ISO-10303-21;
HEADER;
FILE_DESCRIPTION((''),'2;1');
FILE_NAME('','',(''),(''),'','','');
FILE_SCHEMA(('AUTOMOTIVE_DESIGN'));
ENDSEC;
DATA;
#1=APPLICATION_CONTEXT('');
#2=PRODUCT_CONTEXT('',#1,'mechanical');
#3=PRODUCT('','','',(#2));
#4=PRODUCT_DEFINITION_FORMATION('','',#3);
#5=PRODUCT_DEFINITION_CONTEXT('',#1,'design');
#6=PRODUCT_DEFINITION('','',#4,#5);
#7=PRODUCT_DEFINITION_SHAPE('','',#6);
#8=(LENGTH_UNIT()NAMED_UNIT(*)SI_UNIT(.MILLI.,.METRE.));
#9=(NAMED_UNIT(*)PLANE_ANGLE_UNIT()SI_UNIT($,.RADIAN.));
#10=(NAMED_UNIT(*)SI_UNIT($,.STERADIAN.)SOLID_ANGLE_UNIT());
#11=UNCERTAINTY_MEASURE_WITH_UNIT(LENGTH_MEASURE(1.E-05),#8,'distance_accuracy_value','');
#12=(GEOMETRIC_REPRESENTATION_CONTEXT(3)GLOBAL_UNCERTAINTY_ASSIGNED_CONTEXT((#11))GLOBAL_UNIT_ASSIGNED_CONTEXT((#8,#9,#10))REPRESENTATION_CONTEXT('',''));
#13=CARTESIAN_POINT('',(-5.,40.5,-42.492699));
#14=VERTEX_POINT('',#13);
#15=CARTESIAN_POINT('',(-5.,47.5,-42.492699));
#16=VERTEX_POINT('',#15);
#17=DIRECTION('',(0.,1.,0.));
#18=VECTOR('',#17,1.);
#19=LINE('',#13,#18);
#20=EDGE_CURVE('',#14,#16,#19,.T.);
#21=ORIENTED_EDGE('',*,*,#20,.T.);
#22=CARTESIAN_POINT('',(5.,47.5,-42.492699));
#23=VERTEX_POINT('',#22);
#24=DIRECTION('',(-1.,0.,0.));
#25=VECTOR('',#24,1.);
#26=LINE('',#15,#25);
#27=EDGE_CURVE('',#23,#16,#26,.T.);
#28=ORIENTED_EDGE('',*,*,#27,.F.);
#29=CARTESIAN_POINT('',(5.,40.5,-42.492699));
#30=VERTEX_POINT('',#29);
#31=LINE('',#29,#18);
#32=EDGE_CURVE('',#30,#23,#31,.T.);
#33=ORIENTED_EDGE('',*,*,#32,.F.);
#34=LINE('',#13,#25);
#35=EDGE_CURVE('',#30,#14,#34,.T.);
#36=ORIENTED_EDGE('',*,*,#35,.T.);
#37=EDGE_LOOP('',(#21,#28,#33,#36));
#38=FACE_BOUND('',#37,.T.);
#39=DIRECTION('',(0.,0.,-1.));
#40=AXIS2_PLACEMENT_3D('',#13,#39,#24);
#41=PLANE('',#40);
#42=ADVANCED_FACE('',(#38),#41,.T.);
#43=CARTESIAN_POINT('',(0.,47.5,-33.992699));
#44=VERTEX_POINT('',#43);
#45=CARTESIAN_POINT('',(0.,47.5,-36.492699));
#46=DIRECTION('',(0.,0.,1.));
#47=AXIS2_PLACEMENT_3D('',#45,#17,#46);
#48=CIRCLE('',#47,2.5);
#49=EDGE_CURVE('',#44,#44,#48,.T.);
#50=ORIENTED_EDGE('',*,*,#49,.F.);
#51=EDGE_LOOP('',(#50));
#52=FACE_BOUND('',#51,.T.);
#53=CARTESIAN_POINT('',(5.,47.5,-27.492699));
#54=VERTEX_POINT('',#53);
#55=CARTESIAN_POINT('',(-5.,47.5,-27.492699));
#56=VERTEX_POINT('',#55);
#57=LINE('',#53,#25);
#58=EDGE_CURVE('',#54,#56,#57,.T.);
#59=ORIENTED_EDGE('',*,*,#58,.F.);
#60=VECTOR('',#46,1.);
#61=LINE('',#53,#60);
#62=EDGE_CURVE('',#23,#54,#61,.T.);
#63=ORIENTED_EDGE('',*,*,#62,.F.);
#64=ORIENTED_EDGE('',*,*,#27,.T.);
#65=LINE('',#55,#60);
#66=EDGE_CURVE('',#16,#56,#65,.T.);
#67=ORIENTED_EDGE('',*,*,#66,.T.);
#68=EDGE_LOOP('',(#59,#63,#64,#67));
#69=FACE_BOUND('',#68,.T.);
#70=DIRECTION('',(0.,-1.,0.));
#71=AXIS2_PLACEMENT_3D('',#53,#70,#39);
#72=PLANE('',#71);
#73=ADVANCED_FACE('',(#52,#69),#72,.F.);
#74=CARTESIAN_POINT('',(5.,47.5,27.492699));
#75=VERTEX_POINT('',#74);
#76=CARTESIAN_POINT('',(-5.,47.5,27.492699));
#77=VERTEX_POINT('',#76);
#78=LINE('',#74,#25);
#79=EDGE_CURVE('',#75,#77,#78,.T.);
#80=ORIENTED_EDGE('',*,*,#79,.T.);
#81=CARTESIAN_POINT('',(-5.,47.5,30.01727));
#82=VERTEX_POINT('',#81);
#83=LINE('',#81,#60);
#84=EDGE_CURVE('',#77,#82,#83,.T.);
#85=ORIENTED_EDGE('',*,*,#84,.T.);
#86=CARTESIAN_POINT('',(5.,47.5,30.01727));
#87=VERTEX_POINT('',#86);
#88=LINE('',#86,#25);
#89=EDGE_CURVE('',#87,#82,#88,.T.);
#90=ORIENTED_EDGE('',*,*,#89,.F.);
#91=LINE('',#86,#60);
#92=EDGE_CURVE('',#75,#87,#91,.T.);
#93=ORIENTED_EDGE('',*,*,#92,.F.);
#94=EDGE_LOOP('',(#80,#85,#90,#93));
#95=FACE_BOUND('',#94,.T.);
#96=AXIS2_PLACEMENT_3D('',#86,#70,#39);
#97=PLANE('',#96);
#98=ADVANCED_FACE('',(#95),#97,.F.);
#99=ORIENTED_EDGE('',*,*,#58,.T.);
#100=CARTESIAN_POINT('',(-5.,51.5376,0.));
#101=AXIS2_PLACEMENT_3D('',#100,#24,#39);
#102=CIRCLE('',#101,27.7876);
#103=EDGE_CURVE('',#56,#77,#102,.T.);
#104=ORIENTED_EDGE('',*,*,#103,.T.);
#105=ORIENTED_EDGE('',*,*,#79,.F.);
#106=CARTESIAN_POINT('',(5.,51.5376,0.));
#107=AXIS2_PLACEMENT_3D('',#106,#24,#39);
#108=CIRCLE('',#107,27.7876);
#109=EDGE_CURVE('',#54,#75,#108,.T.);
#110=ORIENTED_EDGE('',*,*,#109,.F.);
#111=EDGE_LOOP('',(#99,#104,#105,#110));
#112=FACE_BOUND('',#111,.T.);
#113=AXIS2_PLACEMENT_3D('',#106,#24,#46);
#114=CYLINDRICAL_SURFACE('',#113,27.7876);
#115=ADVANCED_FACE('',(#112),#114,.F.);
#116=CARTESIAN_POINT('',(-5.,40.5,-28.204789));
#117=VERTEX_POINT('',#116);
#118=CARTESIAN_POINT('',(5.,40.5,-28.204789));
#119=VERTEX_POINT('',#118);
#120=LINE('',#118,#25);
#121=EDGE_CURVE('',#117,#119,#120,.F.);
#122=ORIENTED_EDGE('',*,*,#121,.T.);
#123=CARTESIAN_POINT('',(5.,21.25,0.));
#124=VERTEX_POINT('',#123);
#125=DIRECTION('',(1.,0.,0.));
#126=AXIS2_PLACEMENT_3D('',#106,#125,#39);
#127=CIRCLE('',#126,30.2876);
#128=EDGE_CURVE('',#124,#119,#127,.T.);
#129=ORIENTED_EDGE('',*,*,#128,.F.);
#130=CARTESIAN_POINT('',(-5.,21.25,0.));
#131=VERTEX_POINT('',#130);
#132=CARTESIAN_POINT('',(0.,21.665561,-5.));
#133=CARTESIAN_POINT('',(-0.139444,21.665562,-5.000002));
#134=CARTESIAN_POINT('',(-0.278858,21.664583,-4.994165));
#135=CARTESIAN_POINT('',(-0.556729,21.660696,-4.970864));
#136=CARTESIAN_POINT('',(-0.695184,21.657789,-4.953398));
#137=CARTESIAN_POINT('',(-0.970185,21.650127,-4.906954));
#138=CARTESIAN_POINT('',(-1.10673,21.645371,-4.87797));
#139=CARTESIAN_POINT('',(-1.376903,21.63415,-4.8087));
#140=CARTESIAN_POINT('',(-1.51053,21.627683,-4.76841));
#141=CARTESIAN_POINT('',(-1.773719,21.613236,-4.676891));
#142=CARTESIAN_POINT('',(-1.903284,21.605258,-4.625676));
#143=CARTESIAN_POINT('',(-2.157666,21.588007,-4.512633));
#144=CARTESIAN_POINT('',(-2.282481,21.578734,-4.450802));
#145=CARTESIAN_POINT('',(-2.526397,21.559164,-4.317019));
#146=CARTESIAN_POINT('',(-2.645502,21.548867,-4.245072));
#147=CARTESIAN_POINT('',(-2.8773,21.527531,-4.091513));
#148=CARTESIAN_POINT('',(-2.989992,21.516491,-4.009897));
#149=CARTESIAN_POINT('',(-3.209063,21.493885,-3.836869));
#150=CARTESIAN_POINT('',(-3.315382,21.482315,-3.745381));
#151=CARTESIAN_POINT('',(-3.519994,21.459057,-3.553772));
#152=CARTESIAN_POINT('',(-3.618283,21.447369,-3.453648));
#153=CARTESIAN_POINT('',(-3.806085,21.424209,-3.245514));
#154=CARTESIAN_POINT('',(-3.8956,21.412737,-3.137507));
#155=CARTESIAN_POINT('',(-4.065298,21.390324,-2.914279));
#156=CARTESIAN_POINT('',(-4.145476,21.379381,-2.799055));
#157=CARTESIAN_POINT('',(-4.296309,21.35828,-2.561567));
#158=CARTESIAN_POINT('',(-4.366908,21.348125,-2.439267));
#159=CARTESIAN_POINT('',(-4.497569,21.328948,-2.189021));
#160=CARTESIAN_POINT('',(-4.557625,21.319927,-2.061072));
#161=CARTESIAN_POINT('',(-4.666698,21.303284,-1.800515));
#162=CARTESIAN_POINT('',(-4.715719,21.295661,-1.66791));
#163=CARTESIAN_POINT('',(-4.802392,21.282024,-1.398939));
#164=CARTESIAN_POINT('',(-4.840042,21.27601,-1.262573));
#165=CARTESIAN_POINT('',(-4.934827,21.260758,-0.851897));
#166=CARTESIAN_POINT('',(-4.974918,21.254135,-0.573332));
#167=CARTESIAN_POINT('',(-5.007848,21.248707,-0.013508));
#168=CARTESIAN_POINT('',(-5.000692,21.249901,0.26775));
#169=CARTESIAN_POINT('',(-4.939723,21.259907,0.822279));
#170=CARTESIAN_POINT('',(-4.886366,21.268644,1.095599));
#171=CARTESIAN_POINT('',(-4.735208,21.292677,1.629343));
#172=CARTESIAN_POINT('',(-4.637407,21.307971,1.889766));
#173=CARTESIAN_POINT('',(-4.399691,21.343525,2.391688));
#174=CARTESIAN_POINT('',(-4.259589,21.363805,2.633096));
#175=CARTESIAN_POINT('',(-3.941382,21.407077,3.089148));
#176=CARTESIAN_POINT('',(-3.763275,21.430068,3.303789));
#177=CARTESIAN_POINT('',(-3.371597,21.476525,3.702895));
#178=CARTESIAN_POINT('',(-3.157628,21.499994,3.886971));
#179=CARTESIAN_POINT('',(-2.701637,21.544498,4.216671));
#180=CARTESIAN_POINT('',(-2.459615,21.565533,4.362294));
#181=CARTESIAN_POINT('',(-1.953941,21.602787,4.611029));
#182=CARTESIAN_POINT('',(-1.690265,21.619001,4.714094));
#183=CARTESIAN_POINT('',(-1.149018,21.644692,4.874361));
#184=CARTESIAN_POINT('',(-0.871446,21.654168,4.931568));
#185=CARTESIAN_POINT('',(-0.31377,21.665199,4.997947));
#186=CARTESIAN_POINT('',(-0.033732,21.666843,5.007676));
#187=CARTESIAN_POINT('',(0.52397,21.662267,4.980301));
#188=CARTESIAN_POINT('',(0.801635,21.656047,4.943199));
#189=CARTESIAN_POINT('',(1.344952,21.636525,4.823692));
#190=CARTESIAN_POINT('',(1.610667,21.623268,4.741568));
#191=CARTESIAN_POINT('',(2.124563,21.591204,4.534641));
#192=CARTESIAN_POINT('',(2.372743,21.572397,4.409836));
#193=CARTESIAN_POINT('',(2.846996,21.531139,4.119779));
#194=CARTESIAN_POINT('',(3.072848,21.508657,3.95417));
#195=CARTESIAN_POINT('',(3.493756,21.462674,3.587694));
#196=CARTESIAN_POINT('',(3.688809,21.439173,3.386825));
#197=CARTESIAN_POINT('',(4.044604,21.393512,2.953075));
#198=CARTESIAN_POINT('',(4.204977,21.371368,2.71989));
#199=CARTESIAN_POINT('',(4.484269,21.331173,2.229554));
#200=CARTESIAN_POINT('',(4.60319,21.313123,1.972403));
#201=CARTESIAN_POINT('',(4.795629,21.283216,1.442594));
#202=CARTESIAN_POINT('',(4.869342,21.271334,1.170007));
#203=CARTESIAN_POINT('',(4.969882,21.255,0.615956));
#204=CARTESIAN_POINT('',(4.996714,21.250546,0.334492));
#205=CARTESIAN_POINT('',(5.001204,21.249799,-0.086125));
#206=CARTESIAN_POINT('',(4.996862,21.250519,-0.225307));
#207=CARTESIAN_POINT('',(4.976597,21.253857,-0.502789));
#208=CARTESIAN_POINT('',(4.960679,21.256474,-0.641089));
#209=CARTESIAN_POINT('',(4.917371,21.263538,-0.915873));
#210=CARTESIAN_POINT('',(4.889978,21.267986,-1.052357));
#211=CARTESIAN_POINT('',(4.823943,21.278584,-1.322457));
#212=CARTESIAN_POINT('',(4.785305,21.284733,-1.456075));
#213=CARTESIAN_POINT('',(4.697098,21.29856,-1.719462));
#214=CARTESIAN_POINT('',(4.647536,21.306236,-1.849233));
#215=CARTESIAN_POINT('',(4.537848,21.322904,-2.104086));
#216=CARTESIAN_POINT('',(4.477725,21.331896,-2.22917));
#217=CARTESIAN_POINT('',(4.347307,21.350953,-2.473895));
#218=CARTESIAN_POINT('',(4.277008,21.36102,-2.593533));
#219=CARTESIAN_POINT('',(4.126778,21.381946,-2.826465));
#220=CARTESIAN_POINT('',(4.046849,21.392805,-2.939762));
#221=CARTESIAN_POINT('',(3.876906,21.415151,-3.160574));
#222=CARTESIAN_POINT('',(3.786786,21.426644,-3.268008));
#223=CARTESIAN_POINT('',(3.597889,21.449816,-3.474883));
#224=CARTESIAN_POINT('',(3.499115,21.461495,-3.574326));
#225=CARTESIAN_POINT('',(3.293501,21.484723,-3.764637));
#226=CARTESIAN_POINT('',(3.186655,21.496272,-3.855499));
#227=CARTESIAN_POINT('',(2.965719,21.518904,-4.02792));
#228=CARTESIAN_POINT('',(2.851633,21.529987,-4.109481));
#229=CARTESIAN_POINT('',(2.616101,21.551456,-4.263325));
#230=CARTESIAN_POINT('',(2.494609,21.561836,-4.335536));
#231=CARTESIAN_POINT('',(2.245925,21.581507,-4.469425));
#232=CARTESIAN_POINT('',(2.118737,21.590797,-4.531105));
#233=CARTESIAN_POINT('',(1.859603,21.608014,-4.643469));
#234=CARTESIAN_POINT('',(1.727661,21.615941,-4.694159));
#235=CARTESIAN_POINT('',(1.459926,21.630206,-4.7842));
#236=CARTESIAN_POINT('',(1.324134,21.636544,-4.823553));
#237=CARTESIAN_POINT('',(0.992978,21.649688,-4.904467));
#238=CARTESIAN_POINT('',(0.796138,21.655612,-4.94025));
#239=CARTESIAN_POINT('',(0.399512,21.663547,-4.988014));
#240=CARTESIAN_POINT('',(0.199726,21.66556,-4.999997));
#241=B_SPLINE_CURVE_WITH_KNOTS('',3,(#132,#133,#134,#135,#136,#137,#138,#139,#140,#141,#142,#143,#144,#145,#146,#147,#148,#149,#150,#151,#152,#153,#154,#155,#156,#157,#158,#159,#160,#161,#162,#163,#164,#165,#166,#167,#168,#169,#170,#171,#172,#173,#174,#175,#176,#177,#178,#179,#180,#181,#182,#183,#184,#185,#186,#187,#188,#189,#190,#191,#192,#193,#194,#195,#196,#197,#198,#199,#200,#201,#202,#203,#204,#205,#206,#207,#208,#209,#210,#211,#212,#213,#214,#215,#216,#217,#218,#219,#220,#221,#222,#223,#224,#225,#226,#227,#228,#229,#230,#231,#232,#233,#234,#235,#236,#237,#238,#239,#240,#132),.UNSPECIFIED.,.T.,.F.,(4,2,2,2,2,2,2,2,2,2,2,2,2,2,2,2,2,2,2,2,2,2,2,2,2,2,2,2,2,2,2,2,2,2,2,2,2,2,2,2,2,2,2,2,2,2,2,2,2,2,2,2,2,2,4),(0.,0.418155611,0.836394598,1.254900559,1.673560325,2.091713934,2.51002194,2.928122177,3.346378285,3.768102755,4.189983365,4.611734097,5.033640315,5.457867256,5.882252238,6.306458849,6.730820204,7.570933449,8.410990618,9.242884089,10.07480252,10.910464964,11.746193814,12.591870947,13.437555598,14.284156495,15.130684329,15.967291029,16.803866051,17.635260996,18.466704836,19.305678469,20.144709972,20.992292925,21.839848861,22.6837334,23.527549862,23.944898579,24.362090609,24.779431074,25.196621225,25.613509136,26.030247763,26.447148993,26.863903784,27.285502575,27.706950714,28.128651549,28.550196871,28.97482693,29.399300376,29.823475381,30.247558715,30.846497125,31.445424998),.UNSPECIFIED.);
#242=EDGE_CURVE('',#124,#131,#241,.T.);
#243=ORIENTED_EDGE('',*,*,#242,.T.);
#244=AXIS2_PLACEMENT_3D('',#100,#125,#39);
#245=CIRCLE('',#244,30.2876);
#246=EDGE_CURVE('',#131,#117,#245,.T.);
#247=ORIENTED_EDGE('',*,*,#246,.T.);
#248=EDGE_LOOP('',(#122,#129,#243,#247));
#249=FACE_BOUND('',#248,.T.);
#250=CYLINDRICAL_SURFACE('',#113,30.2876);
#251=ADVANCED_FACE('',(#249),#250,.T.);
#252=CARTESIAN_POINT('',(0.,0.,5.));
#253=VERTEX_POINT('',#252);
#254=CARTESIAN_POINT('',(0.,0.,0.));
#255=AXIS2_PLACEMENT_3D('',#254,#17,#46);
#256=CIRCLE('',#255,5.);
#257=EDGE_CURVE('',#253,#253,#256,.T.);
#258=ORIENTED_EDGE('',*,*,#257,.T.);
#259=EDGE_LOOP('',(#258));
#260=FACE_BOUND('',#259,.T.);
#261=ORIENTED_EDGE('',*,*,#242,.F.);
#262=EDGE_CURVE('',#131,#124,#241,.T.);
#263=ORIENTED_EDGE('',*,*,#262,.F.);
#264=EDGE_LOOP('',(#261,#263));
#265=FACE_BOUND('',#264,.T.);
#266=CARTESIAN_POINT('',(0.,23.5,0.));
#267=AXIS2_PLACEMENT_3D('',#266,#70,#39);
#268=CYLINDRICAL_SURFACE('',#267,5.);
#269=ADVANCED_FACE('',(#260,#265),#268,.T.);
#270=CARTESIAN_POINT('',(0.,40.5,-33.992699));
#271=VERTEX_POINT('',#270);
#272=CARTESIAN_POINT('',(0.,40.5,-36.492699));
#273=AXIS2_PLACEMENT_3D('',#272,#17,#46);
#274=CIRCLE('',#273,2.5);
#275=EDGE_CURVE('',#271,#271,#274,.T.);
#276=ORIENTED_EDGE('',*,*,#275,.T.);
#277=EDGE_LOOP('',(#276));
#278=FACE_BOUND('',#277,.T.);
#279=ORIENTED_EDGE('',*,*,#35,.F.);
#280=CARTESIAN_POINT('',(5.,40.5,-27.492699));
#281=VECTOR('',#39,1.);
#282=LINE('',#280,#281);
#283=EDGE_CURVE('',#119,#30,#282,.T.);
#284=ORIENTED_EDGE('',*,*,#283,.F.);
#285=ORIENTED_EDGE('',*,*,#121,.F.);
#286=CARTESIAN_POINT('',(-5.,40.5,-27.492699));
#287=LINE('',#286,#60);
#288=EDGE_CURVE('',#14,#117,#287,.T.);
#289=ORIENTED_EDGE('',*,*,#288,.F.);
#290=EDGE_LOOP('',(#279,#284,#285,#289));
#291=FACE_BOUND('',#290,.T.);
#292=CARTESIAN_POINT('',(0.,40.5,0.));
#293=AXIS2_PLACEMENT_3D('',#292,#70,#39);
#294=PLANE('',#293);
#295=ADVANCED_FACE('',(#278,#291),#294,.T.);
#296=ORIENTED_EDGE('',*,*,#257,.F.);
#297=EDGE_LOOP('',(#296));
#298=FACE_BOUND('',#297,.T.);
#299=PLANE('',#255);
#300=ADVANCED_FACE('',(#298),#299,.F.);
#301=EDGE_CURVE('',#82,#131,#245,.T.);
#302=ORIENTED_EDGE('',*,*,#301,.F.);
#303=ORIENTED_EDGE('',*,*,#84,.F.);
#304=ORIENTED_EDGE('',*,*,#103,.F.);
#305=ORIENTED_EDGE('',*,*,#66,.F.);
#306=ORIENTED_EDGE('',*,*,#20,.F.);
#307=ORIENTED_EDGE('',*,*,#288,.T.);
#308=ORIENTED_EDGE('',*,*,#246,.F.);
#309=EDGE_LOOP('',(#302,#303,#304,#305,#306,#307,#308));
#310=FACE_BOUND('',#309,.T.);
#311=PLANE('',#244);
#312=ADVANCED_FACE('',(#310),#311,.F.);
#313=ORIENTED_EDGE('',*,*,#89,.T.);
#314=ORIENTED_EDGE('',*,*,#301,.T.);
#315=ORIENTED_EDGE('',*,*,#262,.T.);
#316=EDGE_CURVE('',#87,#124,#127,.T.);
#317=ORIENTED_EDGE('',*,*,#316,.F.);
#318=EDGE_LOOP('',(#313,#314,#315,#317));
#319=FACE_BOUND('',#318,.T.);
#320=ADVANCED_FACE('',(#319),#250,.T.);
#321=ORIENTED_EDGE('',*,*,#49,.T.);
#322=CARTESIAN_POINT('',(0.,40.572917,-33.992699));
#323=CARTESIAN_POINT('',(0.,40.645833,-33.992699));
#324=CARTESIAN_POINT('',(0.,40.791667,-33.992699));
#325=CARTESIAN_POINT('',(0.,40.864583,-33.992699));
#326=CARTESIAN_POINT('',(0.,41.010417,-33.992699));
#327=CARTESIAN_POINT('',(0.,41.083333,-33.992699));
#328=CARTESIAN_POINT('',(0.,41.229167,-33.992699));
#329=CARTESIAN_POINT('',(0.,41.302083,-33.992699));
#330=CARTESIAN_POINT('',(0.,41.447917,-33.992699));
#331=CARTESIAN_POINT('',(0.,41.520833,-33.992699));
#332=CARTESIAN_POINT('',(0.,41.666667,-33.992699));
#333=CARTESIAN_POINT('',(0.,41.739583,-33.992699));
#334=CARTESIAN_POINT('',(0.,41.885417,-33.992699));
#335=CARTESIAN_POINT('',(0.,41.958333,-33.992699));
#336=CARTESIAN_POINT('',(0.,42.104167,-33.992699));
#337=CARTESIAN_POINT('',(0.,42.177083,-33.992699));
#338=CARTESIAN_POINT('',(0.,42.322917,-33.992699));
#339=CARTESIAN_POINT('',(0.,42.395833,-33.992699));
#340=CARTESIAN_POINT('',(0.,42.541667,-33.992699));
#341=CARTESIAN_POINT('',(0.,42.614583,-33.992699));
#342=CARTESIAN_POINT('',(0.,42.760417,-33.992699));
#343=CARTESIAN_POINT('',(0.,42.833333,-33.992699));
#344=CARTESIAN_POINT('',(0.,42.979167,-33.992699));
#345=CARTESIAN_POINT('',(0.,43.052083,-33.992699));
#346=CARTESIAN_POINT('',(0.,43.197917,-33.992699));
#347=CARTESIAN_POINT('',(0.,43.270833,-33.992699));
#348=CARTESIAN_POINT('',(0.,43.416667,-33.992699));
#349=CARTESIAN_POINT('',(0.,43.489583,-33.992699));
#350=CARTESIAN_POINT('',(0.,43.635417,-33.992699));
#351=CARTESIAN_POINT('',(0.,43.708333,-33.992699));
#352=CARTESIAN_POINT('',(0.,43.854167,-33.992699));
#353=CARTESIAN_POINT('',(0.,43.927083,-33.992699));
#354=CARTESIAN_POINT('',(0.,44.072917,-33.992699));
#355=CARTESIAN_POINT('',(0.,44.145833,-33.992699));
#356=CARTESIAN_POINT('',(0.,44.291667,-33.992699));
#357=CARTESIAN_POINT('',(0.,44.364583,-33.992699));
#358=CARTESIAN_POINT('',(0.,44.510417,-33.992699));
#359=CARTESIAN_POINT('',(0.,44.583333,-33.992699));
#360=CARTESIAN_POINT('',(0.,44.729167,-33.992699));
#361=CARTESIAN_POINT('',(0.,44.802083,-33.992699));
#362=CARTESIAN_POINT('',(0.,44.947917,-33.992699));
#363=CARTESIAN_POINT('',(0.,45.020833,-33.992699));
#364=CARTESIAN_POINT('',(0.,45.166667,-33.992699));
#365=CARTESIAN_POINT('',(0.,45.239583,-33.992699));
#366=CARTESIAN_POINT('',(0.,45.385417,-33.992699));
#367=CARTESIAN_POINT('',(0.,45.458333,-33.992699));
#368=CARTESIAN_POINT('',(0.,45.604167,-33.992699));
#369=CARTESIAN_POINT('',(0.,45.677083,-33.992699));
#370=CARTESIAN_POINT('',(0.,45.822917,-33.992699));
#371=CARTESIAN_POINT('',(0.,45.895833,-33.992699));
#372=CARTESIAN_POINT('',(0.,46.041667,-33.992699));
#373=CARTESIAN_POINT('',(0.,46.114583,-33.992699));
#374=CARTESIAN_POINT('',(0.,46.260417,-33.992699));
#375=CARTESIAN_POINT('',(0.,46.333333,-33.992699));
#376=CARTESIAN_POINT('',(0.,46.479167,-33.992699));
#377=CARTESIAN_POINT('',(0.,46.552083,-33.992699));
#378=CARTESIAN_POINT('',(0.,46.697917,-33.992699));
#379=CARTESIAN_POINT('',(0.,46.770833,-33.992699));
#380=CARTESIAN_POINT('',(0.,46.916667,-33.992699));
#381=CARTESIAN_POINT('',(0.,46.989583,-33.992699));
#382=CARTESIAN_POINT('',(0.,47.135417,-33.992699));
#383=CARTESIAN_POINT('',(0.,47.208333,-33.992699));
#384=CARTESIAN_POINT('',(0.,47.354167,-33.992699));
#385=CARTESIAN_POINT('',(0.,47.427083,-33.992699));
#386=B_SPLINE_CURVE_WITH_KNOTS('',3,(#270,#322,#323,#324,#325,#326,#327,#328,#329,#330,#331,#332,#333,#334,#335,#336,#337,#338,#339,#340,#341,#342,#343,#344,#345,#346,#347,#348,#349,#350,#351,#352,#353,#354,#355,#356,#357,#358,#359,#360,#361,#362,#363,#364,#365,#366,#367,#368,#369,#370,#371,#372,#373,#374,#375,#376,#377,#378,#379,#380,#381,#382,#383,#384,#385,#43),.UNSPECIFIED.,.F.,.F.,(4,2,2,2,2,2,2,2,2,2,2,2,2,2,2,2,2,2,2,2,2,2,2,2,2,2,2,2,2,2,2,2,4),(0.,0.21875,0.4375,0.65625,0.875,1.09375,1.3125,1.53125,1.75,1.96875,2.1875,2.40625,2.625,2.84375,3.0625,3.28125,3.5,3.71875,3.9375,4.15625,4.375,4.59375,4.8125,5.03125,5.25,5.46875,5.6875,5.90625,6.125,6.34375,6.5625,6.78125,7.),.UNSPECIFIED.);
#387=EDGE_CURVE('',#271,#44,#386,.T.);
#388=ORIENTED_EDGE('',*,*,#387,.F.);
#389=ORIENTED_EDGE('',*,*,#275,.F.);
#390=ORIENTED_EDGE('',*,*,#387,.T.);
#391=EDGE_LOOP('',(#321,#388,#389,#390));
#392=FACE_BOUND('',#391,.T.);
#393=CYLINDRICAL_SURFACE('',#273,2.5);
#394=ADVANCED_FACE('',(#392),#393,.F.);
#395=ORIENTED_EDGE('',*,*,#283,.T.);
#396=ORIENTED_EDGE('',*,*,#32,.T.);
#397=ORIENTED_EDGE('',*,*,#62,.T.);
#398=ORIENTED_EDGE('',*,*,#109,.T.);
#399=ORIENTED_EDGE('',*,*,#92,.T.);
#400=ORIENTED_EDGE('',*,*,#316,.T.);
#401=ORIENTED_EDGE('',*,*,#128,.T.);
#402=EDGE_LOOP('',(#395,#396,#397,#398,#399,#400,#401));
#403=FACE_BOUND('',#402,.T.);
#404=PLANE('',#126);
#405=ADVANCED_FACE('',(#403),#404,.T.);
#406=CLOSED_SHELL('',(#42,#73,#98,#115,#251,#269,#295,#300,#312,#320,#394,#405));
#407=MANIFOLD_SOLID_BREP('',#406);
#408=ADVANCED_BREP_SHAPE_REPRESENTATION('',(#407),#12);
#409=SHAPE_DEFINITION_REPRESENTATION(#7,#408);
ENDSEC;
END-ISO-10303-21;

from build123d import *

# Parameters (mm, degrees)
SKETCH1_R           = 5
BOSS_EXTRUDE1_DEPTH = 23.5
BOSS_EXTRUDE2_DEPTH = 5
SKETCH3_W           = 10
SKETCH3_H           = 15
SKETCH3_R           = 2.5
BOSS_EXTRUDE3_DEPTH = 7


with BuildPart() as part:
    # Sketch1 → Boss-Extrude1 (new body)
    with BuildSketch(Plane(origin=(0, 0, 0), x_dir=(1, 0, 0), z_dir=(0, 1, 0))):
        with Locations(Location((0, 0, 0), (0, 0, 270))):
            Circle(SKETCH1_R)
    extrude(amount=BOSS_EXTRUDE1_DEPTH)

    # Sketch2 → Boss-Extrude2 (add, symmetric)
    with BuildSketch(Plane(origin=(0, 0, 0), x_dir=(0, 0, -1), z_dir=(1, 0, 0))):
        with BuildLine():
            Line((-30.017270029, 47.5), (-27.492699031, 47.5))
            ThreePointArc((-27.492699031, 47.5), (0, 23.75), (27.492699031, 47.5))
            Line((27.492699031, 47.5), (30.017270029, 47.5))
            ThreePointArc((30.017270029, 47.5), (0, 21.25), (-30.017270029, 47.5))
        make_face()
    extrude(amount=BOSS_EXTRUDE2_DEPTH, both=True)

    # Sketch3 → Boss-Extrude3 (add)
    with BuildSketch(Plane(origin=(0, 47.5, 0), x_dir=(1, 0, 0), z_dir=(0, 1, 0))):
        with Locations((0, 34.992699031)):
            Rectangle(SKETCH3_W, SKETCH3_H)
        with Locations(Location((0, 36.492699031, 0), (0, 0, 270))):
            Circle(SKETCH3_R, mode=Mode.SUBTRACT)
    extrude(amount=-BOSS_EXTRUDE3_DEPTH)


solid = part.part
